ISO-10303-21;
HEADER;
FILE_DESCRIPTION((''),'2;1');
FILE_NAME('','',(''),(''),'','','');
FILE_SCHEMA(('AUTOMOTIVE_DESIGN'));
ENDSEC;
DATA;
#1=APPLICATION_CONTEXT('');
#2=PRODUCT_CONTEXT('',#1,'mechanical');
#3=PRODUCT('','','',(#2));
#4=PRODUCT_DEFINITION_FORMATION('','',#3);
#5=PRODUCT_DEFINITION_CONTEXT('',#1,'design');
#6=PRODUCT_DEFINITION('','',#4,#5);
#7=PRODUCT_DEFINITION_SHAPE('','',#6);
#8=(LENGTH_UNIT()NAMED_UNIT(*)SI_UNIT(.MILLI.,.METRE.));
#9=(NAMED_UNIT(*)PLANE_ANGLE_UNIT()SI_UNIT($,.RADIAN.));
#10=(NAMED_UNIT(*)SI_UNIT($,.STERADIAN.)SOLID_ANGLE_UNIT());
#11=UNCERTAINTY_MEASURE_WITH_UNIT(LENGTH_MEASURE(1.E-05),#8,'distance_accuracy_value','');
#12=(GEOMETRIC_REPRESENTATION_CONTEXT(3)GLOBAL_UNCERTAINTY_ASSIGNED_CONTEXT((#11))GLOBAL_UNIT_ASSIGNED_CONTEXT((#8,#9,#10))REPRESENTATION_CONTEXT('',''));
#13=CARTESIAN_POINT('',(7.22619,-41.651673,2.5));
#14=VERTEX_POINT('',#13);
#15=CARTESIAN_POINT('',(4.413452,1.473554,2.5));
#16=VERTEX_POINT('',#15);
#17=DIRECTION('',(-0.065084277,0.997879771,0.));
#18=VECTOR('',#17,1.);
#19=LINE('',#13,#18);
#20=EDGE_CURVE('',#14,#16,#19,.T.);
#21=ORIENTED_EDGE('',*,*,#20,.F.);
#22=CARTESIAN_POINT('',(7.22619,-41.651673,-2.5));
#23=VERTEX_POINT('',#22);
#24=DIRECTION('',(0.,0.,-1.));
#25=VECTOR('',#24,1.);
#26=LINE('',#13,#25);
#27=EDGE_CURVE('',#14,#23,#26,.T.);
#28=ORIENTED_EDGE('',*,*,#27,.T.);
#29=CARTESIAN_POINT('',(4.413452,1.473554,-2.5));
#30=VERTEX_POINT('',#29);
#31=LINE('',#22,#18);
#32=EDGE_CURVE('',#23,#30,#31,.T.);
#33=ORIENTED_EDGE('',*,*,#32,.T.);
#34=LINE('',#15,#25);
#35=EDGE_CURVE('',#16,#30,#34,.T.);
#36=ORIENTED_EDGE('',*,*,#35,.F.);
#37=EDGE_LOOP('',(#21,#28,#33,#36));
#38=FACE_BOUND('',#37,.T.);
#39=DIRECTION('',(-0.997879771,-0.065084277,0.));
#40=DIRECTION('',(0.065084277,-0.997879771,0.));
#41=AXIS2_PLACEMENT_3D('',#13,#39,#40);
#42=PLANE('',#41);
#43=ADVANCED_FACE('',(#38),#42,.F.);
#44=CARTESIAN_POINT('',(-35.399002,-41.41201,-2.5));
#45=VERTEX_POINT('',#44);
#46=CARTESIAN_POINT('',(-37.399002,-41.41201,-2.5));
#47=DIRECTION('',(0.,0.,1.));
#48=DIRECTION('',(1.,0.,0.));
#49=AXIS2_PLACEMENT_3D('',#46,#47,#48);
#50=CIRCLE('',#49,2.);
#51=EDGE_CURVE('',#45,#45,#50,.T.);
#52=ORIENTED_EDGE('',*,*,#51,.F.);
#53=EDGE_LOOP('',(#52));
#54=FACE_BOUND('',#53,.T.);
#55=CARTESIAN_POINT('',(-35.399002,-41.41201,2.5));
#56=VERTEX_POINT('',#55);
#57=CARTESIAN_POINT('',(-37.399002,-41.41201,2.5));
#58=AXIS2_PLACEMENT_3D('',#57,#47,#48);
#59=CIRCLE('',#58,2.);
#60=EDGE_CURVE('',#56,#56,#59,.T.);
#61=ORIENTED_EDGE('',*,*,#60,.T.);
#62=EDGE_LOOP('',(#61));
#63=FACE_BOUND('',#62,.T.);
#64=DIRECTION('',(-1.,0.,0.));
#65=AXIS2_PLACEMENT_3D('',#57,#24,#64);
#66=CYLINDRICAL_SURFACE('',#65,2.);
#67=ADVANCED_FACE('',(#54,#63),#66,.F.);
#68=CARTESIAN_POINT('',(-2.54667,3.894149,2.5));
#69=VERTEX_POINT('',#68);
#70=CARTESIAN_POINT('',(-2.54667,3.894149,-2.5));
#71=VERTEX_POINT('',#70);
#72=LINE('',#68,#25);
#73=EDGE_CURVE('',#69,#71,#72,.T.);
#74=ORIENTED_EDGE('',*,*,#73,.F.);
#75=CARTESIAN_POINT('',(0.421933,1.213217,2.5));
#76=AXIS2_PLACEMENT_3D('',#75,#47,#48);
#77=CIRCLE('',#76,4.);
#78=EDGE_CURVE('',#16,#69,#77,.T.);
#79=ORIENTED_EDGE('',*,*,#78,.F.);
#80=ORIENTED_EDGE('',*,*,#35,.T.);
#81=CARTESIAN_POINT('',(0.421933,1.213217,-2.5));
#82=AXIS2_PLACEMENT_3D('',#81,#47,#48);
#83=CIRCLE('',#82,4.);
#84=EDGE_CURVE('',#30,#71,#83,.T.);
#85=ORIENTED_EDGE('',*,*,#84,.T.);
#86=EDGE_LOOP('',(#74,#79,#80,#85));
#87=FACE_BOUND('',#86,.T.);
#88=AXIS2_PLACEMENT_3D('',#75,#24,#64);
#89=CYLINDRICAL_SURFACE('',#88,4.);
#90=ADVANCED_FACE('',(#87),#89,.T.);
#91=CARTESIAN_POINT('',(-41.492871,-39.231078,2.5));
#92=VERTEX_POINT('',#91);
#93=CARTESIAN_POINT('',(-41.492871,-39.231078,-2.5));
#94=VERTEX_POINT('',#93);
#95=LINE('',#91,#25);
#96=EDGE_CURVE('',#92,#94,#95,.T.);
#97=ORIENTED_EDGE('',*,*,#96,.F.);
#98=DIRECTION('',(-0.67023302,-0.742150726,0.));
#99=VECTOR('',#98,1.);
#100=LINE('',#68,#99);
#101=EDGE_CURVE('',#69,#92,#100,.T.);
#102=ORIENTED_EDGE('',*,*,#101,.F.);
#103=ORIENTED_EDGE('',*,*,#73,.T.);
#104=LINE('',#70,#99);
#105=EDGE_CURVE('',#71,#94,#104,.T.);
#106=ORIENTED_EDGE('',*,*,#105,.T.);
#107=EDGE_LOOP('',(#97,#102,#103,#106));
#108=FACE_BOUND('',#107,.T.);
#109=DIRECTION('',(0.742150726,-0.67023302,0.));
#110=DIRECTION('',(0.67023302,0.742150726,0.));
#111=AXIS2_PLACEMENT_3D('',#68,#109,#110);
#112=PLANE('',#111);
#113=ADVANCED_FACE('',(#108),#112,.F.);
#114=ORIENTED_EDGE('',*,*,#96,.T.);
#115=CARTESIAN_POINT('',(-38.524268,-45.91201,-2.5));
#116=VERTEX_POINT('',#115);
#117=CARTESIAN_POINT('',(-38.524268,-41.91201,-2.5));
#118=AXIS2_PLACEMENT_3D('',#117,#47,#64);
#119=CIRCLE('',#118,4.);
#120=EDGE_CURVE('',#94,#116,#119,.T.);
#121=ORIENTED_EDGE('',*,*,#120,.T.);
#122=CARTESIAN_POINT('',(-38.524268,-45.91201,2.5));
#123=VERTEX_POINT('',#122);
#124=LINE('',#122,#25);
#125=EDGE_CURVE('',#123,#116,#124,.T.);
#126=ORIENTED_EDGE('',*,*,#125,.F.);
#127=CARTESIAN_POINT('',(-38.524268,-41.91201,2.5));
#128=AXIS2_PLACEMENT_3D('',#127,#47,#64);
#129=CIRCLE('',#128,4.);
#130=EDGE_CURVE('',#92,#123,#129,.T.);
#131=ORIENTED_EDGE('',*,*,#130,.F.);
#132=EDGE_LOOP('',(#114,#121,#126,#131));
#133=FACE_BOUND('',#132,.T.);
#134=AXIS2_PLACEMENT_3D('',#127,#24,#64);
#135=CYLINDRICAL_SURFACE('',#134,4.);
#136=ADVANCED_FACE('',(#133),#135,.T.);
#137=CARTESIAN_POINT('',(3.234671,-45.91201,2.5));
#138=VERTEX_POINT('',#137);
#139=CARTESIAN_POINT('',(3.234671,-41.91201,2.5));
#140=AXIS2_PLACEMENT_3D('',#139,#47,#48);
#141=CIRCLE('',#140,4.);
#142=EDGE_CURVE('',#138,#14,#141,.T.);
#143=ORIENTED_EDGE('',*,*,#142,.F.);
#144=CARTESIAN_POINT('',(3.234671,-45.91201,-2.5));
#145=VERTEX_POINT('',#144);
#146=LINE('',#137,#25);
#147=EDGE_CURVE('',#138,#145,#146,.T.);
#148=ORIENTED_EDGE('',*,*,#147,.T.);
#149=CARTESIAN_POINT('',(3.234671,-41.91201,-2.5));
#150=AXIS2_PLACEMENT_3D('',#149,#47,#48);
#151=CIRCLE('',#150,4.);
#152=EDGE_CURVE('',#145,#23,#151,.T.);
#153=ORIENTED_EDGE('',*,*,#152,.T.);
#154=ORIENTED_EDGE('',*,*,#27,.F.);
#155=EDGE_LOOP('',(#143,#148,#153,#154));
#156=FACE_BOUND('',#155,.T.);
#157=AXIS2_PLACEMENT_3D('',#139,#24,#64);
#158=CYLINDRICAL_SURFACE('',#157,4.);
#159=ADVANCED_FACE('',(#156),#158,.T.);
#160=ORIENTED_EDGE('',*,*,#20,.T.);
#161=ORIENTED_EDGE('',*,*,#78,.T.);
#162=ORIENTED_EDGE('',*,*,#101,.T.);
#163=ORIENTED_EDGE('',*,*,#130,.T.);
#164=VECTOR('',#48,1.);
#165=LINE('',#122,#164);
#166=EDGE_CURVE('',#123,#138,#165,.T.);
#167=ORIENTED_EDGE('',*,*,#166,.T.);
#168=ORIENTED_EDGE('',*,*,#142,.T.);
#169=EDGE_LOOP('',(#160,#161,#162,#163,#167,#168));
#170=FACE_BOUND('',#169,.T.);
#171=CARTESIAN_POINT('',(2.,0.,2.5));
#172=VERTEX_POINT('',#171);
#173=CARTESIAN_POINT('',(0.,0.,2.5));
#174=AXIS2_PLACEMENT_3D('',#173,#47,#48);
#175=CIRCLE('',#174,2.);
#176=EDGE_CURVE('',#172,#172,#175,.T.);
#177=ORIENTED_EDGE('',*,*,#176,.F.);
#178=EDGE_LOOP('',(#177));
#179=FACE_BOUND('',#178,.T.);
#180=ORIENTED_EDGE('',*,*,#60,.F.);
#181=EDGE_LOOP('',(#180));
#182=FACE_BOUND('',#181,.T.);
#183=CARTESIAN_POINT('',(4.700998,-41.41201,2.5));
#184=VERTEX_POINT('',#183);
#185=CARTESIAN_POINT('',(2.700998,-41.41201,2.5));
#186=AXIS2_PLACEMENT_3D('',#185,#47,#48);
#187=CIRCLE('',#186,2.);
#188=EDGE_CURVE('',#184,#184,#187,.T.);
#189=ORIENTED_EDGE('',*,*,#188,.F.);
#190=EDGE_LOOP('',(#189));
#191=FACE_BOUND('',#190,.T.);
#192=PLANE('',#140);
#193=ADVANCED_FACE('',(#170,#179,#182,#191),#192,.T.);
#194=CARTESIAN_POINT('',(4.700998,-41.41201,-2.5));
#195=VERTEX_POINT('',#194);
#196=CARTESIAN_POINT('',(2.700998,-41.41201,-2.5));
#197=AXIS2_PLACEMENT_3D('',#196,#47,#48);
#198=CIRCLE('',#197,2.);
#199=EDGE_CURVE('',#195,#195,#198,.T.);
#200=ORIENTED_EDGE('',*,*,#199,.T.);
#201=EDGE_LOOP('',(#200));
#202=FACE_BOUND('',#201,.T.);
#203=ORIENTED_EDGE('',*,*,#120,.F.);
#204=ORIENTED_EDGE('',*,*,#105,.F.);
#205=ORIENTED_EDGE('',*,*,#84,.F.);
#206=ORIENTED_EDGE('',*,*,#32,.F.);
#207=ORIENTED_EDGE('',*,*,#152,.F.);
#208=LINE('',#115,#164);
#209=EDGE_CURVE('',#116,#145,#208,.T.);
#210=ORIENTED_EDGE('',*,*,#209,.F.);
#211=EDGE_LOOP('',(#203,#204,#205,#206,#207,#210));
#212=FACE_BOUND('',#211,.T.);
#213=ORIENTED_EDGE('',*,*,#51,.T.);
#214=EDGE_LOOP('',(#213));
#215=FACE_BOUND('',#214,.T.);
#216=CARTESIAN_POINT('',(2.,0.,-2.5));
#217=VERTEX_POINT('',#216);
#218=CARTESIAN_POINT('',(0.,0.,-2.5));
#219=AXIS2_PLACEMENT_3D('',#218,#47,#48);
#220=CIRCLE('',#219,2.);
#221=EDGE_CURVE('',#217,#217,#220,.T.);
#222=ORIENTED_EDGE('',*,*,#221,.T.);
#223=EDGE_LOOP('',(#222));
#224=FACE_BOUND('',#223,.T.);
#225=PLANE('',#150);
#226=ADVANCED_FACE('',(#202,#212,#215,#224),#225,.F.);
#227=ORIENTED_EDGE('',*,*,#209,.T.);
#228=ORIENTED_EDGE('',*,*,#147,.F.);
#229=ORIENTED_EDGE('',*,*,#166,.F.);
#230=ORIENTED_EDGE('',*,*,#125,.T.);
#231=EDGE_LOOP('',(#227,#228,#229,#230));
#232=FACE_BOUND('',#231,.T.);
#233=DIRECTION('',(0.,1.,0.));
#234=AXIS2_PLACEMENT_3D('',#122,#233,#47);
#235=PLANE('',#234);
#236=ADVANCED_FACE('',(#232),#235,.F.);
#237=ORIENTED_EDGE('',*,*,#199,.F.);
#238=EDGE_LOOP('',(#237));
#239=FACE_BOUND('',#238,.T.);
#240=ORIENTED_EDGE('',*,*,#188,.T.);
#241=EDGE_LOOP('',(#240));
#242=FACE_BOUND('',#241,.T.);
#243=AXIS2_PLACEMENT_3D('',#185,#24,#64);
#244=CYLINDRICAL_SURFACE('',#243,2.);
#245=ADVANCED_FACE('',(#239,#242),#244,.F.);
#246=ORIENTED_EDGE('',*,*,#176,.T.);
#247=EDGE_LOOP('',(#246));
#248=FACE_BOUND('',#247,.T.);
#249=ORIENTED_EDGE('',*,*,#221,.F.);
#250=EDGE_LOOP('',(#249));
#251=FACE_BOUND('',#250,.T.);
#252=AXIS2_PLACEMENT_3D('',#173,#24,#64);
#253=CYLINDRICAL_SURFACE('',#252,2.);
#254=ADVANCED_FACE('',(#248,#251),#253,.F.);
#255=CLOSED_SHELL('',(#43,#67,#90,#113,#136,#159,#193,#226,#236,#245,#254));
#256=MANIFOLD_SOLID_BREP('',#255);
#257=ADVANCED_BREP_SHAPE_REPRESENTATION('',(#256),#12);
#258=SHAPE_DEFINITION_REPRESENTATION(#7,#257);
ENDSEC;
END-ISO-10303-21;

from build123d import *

# Parameters (mm, degrees)
SKETCH_2_R      = 2
EXTRUDE_1_DEPTH = 2.5


with BuildPart() as part:
    # 草圖2 → 填料-伸長1 (new, symmetric)
    with BuildSketch(Plane.XY):
        with BuildLine():
            Line((7.226190238, -41.651673377), (4.413452329, 1.473554067))
            ThreePointArc((4.413452329, 1.473554067), (1.735862232, 4.991257537), (-2.546669656, 3.894149036))
            Line((-2.546669656, 3.894149036), (-41.492870765, -39.231078407))
            ThreePointArc((-41.492870765, -39.231078407), (-42.179656235, -43.536244411), (-38.524267862, -45.912010486))
            Line((-38.524267862, -45.912010486), (3.234671155, -45.912010486))
            ThreePointArc((3.234671155, -45.912010486), (6.153690549, -44.64684609), (7.226190238, -41.651673377))
        make_face()
        Circle(SKETCH_2_R, mode=Mode.SUBTRACT)
        with Locations((2.700997506, -41.412010486)):
            Circle(SKETCH_2_R, mode=Mode.SUBTRACT)
        with Locations((-37.399002494, -41.412010486)):
            Circle(SKETCH_2_R, mode=Mode.SUBTRACT)
    extrude(amount=EXTRUDE_1_DEPTH, both=True)


solid = part.part
